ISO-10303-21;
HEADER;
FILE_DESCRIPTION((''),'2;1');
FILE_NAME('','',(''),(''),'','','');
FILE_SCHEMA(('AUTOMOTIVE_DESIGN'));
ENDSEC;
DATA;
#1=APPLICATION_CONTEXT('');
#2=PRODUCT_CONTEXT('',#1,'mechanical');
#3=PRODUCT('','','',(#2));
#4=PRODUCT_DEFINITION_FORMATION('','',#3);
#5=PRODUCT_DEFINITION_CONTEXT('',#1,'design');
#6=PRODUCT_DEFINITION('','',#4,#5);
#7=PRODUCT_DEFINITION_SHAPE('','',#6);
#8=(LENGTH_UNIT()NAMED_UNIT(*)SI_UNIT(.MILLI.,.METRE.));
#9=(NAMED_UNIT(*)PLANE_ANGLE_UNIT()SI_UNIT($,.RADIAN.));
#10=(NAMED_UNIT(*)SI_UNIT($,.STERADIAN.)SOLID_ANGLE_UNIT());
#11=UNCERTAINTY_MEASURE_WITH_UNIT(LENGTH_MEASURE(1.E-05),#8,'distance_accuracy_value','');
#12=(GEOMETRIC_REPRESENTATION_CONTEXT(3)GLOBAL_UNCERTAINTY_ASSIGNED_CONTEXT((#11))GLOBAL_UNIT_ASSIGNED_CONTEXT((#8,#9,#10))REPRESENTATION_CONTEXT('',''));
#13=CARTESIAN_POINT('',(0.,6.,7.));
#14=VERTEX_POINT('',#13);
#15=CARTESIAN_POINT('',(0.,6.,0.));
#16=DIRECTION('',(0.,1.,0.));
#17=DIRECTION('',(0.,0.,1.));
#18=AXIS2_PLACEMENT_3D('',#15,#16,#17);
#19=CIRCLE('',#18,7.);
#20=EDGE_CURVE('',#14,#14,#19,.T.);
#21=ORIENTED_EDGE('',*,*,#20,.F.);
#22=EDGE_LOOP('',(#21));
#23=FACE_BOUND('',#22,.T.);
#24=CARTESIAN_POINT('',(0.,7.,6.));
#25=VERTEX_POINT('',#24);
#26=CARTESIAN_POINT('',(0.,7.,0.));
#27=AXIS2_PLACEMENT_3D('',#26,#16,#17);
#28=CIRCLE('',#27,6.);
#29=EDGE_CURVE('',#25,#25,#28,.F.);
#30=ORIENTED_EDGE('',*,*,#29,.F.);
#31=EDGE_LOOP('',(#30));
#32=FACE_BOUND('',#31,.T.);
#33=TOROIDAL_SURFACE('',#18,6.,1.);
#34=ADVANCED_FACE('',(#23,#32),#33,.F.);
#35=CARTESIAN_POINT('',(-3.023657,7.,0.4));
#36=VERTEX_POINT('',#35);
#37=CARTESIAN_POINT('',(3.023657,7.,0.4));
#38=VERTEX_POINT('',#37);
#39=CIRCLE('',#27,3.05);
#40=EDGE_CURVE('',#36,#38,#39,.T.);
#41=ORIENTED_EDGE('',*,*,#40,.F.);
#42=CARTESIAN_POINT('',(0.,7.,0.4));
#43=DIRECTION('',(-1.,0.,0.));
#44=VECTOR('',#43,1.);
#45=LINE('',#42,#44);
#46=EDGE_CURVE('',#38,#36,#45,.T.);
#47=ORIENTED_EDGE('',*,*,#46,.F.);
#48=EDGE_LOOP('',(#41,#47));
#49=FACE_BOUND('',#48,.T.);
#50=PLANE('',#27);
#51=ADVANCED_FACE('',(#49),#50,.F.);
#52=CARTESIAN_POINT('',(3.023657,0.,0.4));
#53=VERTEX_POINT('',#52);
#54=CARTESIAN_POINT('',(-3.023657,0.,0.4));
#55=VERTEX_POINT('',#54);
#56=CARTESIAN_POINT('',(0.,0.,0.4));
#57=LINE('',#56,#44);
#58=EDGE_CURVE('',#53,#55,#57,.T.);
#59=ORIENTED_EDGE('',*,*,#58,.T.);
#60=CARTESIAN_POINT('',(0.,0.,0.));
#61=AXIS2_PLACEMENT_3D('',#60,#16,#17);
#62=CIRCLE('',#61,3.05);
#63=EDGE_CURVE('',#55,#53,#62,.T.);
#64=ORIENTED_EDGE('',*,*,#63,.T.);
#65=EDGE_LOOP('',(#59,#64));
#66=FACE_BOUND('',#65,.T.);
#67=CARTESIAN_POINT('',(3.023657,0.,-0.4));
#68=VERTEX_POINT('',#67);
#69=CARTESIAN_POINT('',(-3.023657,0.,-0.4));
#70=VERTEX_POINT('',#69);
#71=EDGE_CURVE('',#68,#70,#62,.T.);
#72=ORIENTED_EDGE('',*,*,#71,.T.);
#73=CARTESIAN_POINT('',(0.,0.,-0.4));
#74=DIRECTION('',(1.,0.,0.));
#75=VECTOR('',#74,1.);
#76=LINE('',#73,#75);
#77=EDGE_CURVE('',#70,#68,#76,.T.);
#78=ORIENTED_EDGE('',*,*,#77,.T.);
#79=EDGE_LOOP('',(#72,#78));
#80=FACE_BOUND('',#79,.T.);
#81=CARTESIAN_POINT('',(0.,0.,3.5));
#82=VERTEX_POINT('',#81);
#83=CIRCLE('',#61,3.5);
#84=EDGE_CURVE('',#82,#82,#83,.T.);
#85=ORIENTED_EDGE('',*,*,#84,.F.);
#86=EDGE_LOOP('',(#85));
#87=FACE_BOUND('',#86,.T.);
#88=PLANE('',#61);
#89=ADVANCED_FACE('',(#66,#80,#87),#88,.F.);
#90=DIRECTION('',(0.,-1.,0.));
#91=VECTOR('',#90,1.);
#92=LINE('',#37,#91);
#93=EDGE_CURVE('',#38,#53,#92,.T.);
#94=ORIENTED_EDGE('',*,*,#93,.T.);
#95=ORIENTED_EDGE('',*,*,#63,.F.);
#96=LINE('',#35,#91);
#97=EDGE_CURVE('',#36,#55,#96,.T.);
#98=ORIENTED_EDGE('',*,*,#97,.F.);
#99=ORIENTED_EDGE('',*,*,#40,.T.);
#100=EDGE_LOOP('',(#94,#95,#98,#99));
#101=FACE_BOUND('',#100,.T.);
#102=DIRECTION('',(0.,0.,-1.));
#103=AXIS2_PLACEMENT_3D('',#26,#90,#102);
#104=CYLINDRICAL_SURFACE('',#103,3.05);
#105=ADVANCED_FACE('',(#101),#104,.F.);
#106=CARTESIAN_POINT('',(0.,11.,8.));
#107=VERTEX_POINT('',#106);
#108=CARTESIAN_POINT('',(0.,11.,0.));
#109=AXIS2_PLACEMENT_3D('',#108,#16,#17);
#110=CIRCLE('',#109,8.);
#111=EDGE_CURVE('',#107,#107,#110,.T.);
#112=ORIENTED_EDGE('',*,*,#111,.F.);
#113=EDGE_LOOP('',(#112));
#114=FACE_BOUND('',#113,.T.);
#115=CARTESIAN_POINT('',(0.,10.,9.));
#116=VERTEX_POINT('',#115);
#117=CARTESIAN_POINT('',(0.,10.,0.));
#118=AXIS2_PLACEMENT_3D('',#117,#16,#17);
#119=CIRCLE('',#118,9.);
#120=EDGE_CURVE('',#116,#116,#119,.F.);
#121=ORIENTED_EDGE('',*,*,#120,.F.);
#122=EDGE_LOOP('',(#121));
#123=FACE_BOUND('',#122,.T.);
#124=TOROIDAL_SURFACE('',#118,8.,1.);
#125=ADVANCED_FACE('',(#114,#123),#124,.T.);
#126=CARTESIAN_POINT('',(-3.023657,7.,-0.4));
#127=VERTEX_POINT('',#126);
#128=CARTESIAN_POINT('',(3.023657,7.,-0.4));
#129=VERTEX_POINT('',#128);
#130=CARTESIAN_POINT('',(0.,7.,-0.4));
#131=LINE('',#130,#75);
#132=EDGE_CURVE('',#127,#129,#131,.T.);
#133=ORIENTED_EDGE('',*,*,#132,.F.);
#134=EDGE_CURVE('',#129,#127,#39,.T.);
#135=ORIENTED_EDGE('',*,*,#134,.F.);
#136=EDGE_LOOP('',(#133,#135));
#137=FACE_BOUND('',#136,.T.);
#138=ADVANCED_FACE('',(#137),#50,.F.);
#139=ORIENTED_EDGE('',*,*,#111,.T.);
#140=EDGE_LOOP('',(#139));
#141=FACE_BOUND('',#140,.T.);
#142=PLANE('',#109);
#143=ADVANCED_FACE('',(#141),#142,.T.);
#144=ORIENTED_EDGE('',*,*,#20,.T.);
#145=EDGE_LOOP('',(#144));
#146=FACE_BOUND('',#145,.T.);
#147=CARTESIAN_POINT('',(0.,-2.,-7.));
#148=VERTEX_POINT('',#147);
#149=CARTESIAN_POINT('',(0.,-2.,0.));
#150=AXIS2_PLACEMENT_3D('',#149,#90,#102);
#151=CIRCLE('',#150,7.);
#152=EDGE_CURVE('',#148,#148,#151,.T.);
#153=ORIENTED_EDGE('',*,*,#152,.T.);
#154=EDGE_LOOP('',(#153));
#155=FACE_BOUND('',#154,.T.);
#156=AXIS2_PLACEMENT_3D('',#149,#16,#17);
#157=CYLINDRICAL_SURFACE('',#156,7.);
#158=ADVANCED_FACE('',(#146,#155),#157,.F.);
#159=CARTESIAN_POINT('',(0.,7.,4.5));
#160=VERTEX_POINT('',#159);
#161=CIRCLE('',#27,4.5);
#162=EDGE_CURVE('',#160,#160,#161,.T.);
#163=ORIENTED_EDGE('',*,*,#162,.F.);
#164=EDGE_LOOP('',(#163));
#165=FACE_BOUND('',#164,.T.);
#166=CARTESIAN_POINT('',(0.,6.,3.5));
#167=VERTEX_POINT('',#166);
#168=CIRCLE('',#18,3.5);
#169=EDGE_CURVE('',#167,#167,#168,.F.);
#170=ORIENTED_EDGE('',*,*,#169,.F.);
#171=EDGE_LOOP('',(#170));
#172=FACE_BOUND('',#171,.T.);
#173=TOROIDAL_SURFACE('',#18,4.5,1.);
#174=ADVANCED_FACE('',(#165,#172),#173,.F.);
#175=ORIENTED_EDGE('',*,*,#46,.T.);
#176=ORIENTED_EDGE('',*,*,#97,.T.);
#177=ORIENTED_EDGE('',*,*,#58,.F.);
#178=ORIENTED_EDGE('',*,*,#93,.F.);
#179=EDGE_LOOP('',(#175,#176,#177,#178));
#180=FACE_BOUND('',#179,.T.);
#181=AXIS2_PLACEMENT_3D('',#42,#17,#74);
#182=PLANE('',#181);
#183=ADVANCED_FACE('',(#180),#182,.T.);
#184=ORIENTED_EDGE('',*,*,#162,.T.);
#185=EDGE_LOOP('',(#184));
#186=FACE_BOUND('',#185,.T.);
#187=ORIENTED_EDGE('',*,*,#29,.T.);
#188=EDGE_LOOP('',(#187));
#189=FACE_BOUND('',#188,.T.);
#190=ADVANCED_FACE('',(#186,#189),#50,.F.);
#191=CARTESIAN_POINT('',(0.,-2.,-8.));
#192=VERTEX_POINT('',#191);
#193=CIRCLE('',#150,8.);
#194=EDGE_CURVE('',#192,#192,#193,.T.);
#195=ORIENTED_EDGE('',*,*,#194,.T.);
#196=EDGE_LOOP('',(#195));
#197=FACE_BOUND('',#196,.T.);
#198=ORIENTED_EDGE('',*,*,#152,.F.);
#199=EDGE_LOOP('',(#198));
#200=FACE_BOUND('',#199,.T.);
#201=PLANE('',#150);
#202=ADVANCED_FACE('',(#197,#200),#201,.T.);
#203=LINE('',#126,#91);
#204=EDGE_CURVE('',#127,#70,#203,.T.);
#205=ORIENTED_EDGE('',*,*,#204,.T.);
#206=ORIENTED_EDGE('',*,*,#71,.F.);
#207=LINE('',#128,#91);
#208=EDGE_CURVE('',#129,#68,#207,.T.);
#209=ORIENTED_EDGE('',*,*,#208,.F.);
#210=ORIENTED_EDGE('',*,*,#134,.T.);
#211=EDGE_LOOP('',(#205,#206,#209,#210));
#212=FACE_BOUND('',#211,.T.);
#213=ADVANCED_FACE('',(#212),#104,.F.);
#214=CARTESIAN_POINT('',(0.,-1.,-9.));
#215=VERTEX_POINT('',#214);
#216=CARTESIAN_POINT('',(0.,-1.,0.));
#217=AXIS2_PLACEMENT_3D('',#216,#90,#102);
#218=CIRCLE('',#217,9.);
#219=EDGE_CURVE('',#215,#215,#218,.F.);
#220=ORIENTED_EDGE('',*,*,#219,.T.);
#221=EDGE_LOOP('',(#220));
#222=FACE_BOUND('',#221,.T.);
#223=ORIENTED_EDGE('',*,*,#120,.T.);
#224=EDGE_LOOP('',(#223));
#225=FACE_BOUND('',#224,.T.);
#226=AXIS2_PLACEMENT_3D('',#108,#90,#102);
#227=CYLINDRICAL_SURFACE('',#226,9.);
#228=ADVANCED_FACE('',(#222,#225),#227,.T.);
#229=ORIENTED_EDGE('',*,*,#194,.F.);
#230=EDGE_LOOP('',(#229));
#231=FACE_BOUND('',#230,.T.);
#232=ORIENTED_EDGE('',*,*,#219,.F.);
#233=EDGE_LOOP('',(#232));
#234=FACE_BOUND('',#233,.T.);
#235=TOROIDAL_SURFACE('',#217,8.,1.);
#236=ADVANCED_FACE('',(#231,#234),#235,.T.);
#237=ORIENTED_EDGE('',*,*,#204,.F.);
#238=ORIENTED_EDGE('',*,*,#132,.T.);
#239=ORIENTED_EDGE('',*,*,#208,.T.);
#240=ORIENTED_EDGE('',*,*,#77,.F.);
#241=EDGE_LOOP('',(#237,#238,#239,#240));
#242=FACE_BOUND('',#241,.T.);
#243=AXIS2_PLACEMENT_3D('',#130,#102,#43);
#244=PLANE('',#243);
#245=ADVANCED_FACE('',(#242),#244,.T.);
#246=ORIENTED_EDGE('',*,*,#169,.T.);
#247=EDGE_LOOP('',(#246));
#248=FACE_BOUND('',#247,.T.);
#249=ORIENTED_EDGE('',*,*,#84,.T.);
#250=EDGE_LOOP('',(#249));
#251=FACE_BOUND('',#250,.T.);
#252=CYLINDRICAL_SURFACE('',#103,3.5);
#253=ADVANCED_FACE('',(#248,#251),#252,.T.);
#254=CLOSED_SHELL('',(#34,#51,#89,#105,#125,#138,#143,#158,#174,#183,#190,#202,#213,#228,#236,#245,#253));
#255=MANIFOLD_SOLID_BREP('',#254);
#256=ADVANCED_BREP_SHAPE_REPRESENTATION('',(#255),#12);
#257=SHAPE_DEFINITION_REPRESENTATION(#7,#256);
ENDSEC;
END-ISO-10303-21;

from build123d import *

# Parameters (mm, degrees)
SKETCH1_R           = 3.5
BOSS_EXTRUDE1_DEPTH = 7
SKETCH2_R           = 9
BOSS_EXTRUDE2_DEPTH = 4
BOSS_EXTRUDE3_START = 9
SKETCH3_R           = 9
SKETCH3_R_2         = 7
BOSS_EXTRUDE3_DEPTH = 9
FILLET1_R           = 1


with BuildPart() as part:
    # Sketch1 → Boss-Extrude1 (new body)
    with BuildSketch(Plane(origin=(0, 0, 0), x_dir=(1, 0, 0), z_dir=(0, 1, 0))):
        with Locations(Location((0, 0, 0), (0, 0, 270))):
            Circle(SKETCH1_R)
        with BuildLine():
            Line((3.023656727, 0.4), (-3.023656727, 0.4))
            ThreePointArc((-3.023656727, 0.4), (0, 3.05), (3.023656727, 0.4))
        make_face(mode=Mode.SUBTRACT)
        with BuildLine():
            Line((-3.023656727, -0.4), (3.023656727, -0.4))
            ThreePointArc((3.023656727, -0.4), (0, -3.05), (-3.023656727, -0.4))
        make_face(mode=Mode.SUBTRACT)
    extrude(amount=BOSS_EXTRUDE1_DEPTH)

    # Sketch2 → Boss-Extrude2 (add)
    with BuildSketch(Plane(origin=(0, 7, 0), x_dir=(1, 0, 0), z_dir=(0, 1, 0))):
        with Locations(Location((0, 0, 0), (0, 0, 270))):
            Circle(SKETCH2_R)
    extrude(amount=BOSS_EXTRUDE2_DEPTH)

    # Sketch3 → Boss-Extrude3 (add)
    with BuildSketch(Plane.XZ.offset(-7).offset(BOSS_EXTRUDE3_START)):
        with Locations(Location((0, 0, 0), (0, 0, 270))):
            Circle(SKETCH3_R)
        with Locations(Location((0, 0, 0), (0, 0, 270))):
            Circle(SKETCH3_R_2, mode=Mode.SUBTRACT)
    extrude(amount=-BOSS_EXTRUDE3_DEPTH)

    # Fillet1
    fillet1_edges = [part.edges().sort_by_distance(p)[0] for p in [
        (0, 11, -9),
        (0, 7, -3.5),
        (0, -2, 9),
        (0, 7, 7),
    ]]
    fillet(fillet1_edges, radius=FILLET1_R)


solid = part.part
